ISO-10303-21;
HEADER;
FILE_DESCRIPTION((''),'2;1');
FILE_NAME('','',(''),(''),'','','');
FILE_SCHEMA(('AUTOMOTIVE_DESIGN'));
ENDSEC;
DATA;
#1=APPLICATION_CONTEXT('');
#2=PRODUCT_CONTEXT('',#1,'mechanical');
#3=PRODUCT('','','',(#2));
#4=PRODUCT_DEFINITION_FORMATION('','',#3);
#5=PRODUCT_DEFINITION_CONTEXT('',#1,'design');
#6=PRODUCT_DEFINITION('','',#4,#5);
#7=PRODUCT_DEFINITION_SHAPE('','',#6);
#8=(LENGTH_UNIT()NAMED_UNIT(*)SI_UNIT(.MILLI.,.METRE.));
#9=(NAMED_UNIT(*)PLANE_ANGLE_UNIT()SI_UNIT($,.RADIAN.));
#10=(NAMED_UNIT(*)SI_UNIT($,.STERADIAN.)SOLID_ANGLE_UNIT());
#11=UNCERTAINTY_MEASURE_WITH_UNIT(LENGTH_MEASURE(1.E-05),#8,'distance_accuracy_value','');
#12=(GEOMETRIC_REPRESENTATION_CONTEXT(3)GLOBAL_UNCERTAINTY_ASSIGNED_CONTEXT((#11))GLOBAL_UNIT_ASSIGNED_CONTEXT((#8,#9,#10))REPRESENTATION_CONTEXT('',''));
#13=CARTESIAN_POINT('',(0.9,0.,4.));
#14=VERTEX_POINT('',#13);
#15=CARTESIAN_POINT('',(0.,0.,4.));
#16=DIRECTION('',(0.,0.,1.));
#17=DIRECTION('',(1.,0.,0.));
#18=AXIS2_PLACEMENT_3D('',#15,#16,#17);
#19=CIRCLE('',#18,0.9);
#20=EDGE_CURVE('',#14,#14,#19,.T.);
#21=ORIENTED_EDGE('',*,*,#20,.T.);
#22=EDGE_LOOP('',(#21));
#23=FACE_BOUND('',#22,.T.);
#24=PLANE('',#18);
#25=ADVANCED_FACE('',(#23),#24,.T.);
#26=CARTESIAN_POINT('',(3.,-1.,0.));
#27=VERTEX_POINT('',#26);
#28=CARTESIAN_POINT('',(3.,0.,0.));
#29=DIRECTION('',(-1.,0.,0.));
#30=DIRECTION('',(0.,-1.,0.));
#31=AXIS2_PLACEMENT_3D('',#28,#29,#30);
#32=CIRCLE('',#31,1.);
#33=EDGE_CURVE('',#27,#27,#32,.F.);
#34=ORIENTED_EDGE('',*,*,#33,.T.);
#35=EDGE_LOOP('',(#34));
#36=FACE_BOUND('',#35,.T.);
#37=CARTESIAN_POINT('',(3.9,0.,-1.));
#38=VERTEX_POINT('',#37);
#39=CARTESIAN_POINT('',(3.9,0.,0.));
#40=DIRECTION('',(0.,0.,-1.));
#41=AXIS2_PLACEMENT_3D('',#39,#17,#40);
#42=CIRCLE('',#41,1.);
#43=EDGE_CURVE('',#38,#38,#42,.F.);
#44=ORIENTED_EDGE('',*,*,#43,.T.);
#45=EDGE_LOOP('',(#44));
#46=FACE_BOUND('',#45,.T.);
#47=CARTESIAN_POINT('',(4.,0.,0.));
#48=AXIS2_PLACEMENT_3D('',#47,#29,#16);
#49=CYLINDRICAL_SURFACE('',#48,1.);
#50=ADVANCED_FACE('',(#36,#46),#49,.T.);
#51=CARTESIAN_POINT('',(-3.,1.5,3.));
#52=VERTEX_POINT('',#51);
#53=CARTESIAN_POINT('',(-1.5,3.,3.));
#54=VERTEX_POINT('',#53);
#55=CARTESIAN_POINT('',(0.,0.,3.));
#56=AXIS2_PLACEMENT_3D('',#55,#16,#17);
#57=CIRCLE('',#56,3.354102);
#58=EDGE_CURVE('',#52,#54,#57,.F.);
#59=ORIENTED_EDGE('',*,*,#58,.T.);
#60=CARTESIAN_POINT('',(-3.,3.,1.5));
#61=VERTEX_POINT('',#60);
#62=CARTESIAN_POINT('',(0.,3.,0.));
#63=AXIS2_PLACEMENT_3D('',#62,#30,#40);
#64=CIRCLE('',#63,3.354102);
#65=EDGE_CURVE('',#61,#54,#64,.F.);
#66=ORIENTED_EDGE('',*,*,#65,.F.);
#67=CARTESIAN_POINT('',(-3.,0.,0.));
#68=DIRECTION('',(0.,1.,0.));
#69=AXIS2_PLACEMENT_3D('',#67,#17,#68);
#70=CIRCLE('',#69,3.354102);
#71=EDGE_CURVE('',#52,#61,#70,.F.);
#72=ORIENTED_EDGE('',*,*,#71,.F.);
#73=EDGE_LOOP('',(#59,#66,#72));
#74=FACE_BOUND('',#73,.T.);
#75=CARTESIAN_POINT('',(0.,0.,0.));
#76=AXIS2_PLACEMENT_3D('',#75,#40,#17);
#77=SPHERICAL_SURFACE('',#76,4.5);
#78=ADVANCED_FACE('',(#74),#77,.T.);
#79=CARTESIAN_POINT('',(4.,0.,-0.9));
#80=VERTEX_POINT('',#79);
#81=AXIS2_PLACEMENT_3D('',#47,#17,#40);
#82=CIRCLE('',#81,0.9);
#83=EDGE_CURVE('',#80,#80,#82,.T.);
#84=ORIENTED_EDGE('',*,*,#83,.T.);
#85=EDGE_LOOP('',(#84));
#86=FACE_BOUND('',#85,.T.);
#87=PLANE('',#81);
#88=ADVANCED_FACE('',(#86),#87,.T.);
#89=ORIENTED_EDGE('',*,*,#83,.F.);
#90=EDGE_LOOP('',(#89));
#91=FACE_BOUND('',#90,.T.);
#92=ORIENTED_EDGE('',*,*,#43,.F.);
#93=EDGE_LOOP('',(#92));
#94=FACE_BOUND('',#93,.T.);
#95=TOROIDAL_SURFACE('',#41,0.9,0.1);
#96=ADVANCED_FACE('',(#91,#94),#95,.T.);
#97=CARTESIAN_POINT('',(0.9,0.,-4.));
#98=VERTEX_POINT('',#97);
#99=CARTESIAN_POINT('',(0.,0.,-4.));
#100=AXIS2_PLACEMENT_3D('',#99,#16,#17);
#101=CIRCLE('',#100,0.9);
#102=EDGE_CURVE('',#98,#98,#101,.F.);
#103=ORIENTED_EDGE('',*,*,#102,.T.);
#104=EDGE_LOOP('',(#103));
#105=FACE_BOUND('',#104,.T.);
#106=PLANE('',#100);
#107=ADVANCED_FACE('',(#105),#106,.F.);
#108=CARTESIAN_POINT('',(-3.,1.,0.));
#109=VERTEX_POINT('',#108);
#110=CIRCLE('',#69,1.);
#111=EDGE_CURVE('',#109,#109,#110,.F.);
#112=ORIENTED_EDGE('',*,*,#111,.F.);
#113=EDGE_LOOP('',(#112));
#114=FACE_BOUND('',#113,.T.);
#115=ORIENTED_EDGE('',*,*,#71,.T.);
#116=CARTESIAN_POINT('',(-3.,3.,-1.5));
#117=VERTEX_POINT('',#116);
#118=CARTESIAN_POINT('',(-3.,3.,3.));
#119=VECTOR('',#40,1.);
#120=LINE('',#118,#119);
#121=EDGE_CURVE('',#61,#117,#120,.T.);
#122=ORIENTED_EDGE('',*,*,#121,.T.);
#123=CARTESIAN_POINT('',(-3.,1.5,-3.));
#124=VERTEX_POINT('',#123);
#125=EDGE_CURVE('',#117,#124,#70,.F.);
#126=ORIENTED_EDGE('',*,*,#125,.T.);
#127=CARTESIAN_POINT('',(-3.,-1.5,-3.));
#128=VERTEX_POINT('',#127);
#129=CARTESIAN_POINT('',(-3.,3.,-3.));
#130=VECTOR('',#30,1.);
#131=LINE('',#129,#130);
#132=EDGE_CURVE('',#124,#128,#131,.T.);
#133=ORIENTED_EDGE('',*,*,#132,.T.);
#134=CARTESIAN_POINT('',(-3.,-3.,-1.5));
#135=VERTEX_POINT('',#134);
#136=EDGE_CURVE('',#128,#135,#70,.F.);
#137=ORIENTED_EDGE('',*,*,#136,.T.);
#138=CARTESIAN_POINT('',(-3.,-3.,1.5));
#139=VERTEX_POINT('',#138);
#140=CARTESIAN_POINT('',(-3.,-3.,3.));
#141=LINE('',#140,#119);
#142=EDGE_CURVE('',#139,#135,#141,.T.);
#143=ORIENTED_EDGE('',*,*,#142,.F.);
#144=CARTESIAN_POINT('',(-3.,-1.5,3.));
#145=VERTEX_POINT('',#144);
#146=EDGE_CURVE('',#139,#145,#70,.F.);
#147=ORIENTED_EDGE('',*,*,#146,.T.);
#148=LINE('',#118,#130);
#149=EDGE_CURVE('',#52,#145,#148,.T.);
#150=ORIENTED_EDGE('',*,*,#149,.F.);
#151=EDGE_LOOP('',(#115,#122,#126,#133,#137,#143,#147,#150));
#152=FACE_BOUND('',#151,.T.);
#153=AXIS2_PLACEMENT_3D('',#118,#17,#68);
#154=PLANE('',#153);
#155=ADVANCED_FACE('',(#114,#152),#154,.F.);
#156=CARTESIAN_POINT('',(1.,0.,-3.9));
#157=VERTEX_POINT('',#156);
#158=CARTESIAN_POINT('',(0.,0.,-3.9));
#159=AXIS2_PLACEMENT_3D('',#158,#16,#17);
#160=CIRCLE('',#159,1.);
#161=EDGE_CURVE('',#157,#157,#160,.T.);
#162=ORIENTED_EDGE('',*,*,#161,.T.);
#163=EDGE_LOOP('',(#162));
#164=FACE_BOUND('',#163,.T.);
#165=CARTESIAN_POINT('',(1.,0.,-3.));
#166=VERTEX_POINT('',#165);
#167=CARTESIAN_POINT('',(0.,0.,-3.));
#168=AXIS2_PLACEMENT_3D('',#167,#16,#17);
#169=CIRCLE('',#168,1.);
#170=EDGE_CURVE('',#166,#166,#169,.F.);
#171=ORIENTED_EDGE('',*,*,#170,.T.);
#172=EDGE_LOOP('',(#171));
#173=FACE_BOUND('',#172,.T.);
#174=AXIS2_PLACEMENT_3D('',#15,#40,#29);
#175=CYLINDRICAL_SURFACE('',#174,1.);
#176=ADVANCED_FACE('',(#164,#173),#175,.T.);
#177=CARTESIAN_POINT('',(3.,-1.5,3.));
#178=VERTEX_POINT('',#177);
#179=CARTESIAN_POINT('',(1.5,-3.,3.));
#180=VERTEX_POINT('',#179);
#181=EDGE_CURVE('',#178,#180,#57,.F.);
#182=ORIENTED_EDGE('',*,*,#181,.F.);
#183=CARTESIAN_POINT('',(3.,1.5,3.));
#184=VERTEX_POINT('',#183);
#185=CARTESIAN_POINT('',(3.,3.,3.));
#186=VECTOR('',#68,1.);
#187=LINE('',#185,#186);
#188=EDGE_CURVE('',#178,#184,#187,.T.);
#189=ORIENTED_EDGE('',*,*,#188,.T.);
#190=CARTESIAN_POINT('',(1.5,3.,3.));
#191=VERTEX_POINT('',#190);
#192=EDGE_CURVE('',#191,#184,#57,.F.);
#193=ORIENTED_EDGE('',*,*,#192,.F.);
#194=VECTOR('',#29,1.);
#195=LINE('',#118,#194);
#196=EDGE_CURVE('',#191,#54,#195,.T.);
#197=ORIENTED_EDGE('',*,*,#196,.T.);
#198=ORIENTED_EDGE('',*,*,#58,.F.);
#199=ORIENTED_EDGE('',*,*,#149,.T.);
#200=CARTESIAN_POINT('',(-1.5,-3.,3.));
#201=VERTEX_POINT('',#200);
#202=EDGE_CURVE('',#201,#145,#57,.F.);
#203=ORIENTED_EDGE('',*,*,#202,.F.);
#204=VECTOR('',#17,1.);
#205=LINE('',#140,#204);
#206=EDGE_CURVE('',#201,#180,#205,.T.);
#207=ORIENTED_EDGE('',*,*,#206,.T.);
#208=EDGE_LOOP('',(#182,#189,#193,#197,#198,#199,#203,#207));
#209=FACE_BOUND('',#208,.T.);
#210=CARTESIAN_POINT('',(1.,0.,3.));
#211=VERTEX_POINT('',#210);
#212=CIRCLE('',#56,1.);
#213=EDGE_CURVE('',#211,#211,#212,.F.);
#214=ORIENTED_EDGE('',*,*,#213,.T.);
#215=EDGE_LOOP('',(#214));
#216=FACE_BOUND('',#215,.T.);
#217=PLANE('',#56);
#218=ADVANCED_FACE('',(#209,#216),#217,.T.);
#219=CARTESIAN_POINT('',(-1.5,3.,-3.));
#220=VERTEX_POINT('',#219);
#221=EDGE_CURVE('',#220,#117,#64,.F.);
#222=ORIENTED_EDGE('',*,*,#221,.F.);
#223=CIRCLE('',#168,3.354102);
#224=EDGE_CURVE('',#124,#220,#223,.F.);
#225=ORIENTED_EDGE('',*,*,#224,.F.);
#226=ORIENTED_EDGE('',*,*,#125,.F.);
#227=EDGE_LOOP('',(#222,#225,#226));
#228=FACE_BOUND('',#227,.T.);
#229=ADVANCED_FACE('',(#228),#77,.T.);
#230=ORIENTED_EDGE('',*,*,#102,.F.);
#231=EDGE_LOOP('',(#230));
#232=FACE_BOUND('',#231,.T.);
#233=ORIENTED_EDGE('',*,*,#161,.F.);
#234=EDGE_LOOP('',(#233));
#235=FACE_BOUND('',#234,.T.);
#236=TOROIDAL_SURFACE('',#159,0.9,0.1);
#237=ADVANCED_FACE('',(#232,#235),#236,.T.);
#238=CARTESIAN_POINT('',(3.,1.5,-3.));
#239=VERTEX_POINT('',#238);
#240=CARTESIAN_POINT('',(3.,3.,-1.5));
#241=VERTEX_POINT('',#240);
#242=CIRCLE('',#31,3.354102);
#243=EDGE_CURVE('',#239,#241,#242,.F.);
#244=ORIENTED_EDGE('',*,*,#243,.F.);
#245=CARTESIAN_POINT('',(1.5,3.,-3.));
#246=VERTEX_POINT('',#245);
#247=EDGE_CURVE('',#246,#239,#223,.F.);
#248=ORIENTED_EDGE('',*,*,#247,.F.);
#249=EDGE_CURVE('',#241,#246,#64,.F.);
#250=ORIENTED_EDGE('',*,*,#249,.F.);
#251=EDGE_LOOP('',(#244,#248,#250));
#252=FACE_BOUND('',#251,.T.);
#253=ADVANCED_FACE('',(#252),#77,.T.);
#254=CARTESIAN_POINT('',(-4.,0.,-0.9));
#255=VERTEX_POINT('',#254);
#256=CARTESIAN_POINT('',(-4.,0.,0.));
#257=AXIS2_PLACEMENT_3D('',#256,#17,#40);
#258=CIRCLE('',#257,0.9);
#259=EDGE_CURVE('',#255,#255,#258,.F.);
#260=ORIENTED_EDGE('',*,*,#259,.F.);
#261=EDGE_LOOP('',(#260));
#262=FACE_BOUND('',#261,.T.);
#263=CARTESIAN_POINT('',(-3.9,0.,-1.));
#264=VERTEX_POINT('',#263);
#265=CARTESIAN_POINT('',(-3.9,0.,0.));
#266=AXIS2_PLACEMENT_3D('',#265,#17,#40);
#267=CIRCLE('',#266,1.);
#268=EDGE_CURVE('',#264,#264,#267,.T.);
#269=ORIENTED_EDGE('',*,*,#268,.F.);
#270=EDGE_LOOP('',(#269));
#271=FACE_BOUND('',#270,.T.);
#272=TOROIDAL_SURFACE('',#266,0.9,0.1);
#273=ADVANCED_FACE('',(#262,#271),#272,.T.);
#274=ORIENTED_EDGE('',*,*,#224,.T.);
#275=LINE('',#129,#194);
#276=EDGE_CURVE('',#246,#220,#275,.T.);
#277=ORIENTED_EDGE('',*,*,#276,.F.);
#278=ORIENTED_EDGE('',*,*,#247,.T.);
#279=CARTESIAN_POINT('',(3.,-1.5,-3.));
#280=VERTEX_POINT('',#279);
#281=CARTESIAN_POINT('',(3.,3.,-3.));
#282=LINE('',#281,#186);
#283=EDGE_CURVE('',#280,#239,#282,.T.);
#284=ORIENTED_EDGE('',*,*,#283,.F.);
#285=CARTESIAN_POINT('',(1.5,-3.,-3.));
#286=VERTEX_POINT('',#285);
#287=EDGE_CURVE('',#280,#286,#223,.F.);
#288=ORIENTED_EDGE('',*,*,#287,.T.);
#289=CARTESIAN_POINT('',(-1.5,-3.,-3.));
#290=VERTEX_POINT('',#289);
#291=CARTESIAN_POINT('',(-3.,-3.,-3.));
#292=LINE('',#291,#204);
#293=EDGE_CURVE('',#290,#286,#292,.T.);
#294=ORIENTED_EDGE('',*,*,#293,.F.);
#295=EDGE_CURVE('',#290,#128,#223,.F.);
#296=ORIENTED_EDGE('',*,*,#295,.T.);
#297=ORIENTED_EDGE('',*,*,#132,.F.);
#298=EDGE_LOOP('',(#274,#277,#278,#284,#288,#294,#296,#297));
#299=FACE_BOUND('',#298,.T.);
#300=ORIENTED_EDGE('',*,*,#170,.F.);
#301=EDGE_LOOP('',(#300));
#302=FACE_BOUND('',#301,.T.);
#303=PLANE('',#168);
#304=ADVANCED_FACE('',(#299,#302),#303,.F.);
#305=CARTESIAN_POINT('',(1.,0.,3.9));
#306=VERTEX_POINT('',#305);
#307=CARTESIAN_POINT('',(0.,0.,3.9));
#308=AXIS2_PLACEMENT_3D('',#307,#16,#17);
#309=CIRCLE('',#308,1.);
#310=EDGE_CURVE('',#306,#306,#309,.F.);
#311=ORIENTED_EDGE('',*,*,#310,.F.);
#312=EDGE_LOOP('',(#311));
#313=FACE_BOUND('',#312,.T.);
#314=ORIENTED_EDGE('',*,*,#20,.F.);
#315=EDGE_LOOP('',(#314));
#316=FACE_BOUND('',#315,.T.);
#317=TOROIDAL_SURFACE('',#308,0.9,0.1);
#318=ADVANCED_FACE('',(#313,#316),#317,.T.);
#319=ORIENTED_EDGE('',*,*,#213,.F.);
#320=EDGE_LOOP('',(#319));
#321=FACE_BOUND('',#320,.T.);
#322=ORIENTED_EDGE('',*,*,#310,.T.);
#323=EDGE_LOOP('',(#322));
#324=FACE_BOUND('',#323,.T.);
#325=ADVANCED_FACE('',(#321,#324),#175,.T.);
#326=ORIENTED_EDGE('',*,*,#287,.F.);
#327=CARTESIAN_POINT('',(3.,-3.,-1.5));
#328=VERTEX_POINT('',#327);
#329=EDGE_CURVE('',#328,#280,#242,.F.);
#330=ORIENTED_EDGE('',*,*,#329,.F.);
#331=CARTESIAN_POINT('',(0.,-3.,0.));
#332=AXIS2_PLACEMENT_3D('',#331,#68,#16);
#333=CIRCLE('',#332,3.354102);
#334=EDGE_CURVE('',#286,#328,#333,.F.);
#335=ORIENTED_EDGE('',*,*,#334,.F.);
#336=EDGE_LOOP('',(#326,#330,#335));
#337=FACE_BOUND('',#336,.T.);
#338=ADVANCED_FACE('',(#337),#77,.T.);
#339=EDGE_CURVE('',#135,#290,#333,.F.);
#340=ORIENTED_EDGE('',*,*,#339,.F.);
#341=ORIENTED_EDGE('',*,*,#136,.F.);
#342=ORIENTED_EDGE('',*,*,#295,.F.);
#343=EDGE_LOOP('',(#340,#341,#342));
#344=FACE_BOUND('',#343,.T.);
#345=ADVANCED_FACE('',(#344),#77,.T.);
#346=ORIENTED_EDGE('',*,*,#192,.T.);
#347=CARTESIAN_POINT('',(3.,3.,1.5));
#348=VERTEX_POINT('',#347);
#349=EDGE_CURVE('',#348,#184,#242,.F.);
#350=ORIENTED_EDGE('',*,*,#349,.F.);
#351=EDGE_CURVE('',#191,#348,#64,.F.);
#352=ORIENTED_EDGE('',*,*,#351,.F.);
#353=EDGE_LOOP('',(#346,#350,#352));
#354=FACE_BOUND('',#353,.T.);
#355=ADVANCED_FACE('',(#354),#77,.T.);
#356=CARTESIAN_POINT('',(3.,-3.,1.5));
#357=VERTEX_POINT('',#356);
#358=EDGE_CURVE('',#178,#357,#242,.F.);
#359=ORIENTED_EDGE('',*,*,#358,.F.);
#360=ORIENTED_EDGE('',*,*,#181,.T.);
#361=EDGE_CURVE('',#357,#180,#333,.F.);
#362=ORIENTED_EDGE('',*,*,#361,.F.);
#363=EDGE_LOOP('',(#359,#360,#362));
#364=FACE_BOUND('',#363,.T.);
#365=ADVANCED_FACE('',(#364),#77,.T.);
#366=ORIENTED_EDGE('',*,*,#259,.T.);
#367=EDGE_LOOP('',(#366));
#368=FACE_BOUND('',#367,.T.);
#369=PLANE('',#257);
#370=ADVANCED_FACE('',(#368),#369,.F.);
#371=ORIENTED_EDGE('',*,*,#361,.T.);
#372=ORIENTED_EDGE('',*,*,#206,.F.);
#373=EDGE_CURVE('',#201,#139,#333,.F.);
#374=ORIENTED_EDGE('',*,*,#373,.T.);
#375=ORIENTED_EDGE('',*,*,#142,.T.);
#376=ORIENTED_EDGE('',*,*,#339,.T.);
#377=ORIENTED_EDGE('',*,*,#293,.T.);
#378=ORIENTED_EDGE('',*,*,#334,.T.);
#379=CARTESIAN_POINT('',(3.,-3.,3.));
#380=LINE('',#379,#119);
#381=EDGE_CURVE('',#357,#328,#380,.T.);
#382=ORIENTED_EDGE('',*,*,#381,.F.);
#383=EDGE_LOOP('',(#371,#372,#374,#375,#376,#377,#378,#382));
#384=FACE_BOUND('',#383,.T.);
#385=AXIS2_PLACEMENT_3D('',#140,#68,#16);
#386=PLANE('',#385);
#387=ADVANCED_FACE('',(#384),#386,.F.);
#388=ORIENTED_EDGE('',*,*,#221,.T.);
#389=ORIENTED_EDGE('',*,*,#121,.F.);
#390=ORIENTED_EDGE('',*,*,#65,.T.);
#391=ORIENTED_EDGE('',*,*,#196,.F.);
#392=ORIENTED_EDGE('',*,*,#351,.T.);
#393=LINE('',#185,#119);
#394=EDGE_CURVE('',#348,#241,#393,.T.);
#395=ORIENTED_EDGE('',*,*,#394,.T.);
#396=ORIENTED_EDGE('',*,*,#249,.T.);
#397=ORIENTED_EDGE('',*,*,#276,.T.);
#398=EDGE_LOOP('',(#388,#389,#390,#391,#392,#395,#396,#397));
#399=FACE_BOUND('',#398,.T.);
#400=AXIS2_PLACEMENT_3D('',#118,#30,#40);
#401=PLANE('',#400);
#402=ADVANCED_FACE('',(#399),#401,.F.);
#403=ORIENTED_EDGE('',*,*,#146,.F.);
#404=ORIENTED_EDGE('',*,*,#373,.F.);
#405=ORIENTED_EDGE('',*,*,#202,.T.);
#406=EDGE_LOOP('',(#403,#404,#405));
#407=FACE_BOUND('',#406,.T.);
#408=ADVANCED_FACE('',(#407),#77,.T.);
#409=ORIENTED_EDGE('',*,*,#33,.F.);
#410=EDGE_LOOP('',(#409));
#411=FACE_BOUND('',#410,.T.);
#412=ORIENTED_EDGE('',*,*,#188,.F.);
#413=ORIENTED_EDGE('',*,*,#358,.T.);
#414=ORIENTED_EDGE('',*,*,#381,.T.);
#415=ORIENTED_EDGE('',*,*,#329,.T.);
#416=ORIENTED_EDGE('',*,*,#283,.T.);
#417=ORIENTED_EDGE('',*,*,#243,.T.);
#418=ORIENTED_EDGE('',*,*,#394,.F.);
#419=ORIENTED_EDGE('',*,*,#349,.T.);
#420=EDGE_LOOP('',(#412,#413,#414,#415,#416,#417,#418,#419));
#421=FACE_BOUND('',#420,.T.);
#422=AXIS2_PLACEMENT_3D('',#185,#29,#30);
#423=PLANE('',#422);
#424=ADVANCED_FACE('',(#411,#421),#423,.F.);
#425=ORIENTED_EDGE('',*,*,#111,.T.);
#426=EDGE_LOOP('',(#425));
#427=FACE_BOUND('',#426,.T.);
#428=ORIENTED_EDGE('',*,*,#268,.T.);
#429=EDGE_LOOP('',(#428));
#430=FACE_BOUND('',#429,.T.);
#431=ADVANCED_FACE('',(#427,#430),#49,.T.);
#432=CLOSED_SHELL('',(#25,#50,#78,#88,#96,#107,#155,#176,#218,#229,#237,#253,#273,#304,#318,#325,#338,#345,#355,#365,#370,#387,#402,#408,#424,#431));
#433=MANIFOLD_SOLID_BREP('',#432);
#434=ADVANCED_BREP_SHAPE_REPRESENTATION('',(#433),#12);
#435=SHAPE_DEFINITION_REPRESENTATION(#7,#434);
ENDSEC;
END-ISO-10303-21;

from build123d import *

# Parameters (mm, degrees)
SKETCH_1_W      = 6
SKETCH_1_H      = 6
EXTRUDE_1_DEPTH = 3
SKETCH_2_R      = 1
EXTRUDE_2_DEPTH = 4
SKETCH_3_R      = 1
EXTRUDE_3_DEPTH = 4
FILLET_1_R      = 0.1


with BuildPart() as part:
    # 草图1 → 凸台-拉伸1 (new body, symmetric)
    with BuildSketch(Plane.XY):
        Rectangle(SKETCH_1_W, SKETCH_1_H)
    extrude(amount=EXTRUDE_1_DEPTH, both=True)

    # 草图4 → 切除-旋转4 (revolve, cut)
    with BuildSketch(Plane(origin=(0, 0, 0), x_dir=(1, 0, 0), z_dir=(0, 1, 0))):
        with BuildLine():
            Line((0, -4.5), (0, -6.318562405))
            Line((0, -6.318562405), (-7, -6.318562405))
            Line((-7, -6.318562405), (-7, 6.288804718))
            Line((-7, 6.288804718), (0, 6.288804718))
            Line((0, 6.288804718), (0, 4.5))
            ThreePointArc((0, 4.5), (-4.5, 0), (0, -4.5))
        make_face()
    revolve(axis=Axis((0, 0, -4.5), (0, 0, 1)), mode=Mode.SUBTRACT)

    # 草图2 → 凸台-拉伸2 (add, symmetric)
    with BuildSketch(Plane.XY):
        Circle(SKETCH_2_R)
    extrude(amount=EXTRUDE_2_DEPTH, both=True)

    # 草图3 → 凸台-拉伸3 (add, symmetric)
    with BuildSketch(Plane(origin=(0, 0, 0), x_dir=(0, 0, -1), z_dir=(1, 0, 0))):
        Circle(SKETCH_3_R)
    extrude(amount=EXTRUDE_3_DEPTH, both=True)

    # 圆角1
    fillet_1_edges = [part.edges().sort_by_distance(p)[0] for p in [
        (-1, 0, -4),
        (-1, 0, 4),
        (-4, 0, 1),
        (4, 0, 1),
    ]]
    fillet(fillet_1_edges, radius=FILLET_1_R)


solid = part.part
